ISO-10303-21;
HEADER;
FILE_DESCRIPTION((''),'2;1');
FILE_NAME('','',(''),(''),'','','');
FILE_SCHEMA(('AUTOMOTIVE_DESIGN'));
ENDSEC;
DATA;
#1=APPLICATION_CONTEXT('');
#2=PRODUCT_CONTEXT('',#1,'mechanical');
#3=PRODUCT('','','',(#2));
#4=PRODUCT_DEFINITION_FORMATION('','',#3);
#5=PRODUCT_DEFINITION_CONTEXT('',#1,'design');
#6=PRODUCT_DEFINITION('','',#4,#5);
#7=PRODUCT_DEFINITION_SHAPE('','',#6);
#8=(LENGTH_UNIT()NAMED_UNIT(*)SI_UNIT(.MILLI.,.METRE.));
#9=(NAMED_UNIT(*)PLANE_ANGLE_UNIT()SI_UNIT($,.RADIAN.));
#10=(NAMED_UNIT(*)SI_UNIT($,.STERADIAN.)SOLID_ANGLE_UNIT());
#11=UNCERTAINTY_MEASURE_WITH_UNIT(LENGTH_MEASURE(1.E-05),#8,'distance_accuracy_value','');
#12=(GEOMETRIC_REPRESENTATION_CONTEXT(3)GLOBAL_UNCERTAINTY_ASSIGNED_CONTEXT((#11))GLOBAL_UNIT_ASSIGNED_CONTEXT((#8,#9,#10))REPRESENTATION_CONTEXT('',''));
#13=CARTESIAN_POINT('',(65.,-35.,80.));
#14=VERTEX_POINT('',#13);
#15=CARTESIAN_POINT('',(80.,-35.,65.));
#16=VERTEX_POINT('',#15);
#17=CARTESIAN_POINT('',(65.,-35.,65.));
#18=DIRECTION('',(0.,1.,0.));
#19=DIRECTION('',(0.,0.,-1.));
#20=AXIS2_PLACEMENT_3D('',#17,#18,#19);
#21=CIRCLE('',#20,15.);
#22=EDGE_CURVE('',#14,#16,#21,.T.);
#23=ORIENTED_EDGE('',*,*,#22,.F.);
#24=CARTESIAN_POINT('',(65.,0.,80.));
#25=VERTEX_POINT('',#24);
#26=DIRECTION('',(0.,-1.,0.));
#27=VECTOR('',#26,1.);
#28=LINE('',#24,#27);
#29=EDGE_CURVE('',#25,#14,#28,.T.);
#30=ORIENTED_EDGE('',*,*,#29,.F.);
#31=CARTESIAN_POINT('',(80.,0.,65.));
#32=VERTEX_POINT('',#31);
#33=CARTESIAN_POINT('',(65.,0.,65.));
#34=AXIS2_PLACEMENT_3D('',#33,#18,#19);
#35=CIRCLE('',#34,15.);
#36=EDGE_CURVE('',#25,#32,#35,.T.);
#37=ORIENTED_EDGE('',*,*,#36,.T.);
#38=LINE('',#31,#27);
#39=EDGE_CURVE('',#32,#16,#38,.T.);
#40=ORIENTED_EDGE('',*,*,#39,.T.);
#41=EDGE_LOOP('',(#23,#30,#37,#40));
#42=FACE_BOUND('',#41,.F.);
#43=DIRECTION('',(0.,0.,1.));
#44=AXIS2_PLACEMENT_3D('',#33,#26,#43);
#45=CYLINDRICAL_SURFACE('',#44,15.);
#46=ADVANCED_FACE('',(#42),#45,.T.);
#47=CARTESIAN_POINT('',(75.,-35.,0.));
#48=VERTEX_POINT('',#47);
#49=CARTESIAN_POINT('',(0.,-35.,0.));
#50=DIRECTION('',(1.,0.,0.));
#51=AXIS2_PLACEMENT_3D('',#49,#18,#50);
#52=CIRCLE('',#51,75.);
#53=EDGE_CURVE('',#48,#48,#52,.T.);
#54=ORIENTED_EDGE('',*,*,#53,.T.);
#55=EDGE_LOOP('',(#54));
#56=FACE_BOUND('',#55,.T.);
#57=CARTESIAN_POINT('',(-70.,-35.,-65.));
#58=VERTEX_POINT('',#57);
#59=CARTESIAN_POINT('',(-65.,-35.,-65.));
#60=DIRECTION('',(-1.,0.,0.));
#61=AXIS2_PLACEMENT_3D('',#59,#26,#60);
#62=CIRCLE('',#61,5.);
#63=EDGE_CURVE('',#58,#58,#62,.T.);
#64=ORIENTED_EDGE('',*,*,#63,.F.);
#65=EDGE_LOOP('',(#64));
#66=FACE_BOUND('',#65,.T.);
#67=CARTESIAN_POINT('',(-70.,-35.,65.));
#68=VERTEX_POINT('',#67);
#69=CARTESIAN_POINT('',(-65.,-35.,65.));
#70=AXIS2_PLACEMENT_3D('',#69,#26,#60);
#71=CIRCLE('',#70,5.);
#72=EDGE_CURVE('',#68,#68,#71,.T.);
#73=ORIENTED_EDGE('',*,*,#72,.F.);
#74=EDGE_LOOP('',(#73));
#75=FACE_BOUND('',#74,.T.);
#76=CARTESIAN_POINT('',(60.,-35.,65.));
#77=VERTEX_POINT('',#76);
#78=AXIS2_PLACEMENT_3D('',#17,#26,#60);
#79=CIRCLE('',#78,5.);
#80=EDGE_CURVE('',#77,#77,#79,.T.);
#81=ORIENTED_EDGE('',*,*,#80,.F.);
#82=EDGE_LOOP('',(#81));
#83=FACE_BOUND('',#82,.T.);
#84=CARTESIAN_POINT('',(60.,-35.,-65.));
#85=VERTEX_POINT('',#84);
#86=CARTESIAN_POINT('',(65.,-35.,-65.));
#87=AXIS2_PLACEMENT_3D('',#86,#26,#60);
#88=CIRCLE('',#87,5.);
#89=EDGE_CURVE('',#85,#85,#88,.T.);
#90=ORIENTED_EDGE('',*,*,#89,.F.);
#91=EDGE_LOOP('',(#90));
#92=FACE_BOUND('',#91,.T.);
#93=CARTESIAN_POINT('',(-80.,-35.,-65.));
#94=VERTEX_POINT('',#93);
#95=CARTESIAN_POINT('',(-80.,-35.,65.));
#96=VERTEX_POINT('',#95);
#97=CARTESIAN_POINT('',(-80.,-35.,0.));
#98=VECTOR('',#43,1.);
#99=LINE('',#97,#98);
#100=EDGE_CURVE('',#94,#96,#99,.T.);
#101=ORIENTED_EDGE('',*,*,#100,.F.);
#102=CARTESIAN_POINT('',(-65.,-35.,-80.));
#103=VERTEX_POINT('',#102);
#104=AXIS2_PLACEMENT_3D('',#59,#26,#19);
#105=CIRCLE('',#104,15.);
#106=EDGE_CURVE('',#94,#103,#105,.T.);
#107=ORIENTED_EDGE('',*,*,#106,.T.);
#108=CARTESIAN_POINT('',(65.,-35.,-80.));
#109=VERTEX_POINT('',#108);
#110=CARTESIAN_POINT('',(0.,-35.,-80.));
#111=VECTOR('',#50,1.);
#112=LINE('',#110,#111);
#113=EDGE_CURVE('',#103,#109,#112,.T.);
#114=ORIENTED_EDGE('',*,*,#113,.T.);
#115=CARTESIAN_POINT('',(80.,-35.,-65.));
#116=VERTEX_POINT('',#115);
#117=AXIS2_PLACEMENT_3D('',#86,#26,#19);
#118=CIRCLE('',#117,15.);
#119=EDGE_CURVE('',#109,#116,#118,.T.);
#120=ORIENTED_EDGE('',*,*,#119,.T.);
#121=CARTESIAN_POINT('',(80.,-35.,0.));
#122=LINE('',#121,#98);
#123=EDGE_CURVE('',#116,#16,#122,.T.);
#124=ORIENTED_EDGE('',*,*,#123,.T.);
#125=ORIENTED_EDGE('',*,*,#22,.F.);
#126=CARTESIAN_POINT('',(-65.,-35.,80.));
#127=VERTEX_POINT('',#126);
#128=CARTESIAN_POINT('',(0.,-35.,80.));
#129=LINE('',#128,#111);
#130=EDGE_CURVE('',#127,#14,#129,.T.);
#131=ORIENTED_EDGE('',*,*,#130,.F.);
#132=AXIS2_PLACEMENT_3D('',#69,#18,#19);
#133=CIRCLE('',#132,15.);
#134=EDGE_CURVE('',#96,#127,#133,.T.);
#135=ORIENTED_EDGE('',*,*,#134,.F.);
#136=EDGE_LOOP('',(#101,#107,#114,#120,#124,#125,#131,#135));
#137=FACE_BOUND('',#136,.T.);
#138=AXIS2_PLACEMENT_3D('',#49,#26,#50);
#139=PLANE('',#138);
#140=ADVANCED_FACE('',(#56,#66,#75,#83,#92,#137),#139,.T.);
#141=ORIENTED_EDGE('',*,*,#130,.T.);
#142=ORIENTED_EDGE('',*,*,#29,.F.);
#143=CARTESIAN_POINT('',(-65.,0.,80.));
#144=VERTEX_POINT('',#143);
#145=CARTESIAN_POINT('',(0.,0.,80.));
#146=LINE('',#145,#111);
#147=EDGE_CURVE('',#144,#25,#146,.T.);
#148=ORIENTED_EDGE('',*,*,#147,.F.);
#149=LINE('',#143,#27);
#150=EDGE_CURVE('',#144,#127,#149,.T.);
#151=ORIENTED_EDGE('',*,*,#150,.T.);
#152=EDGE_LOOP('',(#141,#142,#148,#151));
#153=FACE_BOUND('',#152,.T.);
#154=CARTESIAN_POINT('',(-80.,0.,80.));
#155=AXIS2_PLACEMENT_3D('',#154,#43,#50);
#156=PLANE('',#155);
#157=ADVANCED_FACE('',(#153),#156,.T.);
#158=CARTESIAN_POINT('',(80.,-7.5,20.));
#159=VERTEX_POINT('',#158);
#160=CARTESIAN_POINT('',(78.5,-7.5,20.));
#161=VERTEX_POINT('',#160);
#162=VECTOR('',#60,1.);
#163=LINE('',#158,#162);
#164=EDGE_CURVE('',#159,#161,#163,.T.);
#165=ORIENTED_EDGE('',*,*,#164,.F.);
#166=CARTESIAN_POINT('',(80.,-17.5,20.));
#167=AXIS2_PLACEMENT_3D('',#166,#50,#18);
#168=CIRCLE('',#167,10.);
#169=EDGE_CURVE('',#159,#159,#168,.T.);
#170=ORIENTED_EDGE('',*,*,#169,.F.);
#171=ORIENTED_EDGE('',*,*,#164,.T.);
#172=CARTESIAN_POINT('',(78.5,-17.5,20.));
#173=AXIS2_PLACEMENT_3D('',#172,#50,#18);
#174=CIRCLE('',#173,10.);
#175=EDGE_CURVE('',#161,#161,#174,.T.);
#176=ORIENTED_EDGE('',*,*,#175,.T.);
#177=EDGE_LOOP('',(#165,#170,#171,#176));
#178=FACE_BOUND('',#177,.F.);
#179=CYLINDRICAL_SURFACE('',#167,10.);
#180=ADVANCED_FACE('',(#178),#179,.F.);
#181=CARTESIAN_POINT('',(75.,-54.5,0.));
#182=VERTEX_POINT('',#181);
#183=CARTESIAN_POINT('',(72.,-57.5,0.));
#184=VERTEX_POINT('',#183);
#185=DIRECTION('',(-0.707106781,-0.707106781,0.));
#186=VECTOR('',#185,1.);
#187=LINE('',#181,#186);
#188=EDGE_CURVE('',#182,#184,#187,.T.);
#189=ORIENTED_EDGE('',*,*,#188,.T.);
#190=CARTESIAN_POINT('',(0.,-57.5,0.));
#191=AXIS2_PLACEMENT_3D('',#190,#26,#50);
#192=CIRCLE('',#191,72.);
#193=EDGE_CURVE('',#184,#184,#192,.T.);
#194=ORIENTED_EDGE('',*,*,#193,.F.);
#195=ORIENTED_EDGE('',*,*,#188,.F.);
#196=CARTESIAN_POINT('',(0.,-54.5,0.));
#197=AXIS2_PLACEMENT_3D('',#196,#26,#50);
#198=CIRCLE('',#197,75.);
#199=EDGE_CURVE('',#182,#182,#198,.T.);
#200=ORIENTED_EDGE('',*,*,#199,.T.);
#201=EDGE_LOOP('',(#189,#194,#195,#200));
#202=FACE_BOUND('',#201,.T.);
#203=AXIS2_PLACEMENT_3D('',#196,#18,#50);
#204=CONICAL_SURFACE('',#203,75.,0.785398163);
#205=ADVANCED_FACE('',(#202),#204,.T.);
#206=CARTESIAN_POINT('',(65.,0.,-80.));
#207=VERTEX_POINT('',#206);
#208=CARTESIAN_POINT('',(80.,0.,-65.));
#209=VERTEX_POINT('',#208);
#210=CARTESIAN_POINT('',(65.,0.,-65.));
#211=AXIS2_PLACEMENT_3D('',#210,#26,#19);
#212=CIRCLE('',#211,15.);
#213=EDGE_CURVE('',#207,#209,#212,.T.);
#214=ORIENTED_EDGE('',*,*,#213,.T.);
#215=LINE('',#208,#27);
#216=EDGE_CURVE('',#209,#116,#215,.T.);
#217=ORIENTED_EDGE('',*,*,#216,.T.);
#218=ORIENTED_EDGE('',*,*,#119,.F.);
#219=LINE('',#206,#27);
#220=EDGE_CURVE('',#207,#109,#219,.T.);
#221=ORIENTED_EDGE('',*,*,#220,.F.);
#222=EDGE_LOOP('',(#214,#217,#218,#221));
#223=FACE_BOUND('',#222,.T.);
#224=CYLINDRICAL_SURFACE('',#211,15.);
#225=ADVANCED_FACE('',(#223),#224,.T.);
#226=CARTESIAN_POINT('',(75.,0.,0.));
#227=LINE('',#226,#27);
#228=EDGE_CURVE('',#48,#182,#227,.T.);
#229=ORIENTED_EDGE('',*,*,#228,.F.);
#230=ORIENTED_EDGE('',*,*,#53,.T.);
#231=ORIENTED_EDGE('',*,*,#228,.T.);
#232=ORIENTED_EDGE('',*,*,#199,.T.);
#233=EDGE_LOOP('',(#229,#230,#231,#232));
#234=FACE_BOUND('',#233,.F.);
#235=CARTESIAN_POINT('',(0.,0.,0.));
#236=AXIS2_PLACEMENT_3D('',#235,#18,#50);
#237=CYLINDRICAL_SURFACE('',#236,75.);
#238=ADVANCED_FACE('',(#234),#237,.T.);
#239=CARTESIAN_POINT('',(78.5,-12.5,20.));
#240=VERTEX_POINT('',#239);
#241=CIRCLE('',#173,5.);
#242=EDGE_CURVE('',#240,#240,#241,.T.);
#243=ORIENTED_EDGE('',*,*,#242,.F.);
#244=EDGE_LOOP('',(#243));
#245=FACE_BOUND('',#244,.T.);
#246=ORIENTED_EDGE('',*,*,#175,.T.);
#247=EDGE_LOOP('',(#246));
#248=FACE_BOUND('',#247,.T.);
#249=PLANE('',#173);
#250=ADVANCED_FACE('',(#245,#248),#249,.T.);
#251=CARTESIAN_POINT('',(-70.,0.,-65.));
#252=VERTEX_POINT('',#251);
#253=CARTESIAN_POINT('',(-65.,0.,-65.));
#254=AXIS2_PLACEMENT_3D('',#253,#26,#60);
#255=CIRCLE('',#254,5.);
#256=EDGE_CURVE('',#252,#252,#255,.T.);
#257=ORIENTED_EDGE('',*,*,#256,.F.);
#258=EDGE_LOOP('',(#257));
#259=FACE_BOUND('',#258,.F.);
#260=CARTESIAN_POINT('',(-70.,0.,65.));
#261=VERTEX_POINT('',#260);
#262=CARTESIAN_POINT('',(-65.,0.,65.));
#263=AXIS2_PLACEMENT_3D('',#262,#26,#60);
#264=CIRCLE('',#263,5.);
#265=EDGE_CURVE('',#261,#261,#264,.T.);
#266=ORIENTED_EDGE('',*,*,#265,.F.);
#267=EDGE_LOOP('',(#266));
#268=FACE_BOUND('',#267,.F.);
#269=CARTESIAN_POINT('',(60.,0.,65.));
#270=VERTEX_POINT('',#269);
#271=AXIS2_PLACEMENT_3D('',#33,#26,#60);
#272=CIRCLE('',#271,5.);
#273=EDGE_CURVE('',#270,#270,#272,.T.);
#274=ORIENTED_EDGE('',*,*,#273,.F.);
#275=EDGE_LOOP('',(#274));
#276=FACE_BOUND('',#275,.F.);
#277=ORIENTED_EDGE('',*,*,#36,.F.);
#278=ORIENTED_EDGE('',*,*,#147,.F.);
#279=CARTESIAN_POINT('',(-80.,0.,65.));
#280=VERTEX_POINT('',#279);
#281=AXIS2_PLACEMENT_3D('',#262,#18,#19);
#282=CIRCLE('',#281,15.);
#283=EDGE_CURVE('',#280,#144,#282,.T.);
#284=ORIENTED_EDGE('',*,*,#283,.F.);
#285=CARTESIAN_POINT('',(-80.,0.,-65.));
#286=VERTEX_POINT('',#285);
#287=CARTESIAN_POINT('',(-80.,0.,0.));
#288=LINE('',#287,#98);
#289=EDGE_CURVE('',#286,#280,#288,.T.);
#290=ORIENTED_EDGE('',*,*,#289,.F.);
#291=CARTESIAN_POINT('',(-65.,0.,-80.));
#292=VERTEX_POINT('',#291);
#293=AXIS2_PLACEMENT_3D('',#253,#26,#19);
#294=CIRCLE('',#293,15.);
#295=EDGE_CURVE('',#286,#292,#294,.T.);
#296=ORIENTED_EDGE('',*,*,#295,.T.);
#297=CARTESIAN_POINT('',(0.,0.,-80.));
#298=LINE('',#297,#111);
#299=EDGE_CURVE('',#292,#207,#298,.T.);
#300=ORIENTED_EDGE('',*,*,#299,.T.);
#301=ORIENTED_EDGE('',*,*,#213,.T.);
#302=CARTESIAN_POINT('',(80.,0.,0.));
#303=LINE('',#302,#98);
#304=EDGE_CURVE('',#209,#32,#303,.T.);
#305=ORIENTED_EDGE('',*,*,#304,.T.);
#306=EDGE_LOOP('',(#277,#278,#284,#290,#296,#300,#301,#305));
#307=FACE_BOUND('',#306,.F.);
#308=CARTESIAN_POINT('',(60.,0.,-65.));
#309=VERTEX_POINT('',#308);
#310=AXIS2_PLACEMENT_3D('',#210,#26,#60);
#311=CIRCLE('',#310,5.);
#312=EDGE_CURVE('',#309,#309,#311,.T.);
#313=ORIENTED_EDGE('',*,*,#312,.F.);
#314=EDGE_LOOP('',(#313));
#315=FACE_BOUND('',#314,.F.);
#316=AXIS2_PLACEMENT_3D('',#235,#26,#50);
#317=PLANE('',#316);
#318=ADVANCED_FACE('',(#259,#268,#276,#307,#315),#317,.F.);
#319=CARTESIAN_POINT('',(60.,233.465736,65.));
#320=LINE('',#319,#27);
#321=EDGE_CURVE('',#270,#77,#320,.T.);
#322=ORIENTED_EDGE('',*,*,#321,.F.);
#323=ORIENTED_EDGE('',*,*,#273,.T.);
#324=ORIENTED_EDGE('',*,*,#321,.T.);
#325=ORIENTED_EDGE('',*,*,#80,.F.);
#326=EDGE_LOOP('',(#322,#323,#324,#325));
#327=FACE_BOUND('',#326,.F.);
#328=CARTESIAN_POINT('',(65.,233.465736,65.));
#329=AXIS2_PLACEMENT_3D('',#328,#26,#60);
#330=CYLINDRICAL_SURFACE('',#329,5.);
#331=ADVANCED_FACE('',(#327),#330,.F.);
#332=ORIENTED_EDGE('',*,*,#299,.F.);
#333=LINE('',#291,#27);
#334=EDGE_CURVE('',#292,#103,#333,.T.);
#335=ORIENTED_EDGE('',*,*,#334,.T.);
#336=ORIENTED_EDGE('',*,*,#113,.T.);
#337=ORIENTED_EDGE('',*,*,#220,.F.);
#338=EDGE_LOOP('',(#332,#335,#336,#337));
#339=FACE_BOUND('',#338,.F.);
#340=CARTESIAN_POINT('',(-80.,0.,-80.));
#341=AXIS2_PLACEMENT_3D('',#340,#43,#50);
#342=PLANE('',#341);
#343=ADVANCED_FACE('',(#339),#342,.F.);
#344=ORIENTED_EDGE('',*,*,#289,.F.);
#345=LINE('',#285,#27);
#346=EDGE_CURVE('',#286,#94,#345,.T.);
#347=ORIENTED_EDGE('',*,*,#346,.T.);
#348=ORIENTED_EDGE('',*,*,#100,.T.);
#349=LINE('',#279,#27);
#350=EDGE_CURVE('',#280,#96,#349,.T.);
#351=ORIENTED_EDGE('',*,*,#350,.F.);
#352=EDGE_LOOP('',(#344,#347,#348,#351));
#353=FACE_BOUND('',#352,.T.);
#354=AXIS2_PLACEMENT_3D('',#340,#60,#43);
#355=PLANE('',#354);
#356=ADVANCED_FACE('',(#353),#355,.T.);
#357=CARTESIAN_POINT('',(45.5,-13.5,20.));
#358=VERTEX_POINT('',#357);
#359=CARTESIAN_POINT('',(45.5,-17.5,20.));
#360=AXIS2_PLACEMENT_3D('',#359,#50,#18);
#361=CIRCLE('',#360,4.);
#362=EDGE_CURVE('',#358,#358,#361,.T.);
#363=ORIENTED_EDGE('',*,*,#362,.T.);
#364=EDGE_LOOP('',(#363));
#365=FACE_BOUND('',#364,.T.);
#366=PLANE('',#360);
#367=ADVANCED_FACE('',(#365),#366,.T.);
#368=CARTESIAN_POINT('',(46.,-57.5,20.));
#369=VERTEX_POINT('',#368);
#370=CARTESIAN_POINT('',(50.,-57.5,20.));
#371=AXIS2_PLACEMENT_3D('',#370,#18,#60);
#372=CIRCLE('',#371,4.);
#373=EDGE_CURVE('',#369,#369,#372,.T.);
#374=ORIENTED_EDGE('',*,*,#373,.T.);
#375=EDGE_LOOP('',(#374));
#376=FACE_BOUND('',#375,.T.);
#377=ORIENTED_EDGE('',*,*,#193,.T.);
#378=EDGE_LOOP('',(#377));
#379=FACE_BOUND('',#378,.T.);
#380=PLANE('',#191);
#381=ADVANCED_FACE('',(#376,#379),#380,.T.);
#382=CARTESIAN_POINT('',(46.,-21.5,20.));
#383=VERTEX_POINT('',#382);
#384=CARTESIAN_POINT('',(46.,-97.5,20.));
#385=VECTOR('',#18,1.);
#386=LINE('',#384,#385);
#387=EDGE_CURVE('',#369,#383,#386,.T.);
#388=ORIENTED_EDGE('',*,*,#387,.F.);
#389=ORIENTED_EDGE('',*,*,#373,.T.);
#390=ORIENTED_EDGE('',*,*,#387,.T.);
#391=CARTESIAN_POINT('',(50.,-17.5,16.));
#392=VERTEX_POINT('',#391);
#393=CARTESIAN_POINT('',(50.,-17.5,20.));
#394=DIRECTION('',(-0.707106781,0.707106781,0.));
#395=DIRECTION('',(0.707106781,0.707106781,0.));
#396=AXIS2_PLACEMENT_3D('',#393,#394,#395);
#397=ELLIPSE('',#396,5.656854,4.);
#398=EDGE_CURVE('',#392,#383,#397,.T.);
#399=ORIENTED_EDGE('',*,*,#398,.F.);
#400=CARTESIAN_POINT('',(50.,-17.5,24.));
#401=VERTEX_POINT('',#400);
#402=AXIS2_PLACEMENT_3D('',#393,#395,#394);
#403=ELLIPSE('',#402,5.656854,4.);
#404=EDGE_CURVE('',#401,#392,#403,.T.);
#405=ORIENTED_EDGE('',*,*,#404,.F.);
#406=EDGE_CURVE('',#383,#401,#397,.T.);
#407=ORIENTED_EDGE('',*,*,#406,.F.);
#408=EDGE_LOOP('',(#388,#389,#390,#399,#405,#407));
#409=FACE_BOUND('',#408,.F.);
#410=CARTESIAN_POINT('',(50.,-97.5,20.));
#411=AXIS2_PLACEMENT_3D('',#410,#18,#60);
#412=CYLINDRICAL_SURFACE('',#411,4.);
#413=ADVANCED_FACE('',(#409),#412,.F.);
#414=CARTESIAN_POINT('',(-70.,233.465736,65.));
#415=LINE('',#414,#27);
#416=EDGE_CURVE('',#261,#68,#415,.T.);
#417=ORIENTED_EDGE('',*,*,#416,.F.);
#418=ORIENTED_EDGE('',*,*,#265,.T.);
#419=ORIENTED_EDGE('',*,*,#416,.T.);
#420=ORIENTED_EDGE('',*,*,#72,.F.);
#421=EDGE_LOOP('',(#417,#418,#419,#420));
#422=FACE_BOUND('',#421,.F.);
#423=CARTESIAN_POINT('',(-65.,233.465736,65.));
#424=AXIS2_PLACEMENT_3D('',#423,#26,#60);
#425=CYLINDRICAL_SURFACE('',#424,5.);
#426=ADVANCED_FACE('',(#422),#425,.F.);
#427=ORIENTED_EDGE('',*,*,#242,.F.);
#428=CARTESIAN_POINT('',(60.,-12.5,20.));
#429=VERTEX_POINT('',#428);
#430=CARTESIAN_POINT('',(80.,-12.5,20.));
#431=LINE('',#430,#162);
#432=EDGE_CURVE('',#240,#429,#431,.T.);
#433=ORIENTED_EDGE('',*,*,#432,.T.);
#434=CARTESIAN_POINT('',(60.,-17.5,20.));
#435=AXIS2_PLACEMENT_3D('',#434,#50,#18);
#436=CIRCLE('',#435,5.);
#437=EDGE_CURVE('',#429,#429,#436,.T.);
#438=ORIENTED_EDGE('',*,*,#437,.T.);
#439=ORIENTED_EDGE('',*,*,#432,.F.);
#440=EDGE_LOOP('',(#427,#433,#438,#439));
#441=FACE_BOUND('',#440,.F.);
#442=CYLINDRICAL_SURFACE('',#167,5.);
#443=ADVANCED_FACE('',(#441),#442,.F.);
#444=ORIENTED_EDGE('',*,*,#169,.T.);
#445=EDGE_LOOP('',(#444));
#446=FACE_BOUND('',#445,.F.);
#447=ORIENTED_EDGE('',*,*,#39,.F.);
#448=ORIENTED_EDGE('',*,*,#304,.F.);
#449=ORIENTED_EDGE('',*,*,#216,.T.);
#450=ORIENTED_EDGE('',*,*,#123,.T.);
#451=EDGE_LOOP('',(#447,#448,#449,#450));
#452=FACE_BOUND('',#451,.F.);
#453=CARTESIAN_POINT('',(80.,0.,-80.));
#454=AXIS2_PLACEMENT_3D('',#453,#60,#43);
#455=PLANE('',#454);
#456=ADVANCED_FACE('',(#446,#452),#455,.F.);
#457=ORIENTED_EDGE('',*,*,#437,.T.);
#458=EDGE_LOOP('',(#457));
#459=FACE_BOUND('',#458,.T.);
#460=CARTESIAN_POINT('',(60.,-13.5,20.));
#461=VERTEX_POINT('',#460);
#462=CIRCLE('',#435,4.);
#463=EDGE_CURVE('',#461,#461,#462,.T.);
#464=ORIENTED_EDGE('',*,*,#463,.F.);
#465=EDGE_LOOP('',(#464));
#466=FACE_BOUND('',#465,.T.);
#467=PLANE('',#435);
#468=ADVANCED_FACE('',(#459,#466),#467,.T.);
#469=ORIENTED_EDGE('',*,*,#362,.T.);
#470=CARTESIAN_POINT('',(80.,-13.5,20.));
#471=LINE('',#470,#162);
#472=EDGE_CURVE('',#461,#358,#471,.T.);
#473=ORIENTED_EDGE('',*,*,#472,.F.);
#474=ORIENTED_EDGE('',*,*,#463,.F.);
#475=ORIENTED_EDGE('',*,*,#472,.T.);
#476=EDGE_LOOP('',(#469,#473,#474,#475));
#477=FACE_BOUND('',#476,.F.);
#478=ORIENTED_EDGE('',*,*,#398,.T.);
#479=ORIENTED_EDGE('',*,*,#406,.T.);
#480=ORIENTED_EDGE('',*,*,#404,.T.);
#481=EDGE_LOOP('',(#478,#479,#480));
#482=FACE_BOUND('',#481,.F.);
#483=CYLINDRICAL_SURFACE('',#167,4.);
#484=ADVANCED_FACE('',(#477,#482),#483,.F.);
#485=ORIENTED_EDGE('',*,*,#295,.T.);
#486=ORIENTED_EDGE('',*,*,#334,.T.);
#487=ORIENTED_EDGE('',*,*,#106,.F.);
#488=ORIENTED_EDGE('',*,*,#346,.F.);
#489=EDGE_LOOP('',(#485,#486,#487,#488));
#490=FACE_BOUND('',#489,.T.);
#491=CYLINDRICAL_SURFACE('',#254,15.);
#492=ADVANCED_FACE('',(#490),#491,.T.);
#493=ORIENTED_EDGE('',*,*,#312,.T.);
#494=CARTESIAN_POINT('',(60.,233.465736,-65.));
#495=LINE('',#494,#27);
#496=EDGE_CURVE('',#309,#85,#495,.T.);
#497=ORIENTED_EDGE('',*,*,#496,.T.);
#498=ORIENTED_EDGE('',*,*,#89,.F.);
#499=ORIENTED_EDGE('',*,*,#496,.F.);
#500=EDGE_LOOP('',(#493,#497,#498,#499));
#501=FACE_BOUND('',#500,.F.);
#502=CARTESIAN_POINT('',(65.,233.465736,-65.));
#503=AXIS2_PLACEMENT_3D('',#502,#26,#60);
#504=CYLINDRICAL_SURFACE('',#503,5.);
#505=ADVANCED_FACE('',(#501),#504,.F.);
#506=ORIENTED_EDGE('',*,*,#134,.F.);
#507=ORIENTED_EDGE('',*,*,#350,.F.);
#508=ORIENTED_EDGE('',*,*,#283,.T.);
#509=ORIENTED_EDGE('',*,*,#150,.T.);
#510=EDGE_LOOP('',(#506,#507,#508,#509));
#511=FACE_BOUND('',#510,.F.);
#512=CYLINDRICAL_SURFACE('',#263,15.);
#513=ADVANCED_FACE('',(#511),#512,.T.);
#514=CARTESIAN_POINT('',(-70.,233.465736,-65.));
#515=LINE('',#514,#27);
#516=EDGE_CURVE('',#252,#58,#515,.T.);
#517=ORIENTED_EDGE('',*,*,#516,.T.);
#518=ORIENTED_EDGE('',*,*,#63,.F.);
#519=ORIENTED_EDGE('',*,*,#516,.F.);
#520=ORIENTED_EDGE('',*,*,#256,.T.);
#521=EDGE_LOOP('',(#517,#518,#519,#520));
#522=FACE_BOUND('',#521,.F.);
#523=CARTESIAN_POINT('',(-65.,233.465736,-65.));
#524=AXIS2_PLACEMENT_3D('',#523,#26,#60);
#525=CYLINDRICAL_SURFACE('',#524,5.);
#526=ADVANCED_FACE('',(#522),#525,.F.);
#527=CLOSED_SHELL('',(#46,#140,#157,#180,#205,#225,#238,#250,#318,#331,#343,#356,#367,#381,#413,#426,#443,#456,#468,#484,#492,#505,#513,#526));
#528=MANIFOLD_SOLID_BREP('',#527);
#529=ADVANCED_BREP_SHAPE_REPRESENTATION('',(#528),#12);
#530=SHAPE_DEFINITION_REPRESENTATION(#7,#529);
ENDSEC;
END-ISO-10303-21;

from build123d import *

# Parameters (mm, degrees)
F0_W      = 160
F0_H      = 160
F0_R      = 75
F1_DEPTH  = 35
F2_DEPTH  = 57.5
F3_SIZE2  = 3
F3_SIZE   = 3
F4_R      = 15
F5_D      = 10
F7_D      = 8
F7_DEPTH  = 40
F8_R      = 4
F9_DEPTH  = 34.5
F8_R_2    = 5
F10_DEPTH = 20
F8_R_3    = 10
F11_DEPTH = 1.5


with BuildPart() as f1:
    # F0 (on Front) → F1 (new body)
    with BuildSketch(Plane.XZ):
        Rectangle(F0_W, F0_H)
        Circle(F0_R, mode=Mode.SUBTRACT)
        Circle(F0_R)
    extrude(amount=F1_DEPTH)

    # F0 (on Front) → F2 (join)
    with BuildSketch(Plane.XZ):
        Circle(F0_R)
    extrude(amount=F2_DEPTH)

    # F3
    f3_edges = [f1.edges().sort_by_distance(p)[0] for p in [
        (-75, -57.5, 0),
    ]]
    chamfer(f3_edges, length=F3_SIZE, length2=F3_SIZE2)

    # F4
    f4_edges = [f1.edges().sort_by_distance(p)[0] for p in [
        (-80, -17.5, 80),
        (-80, -17.5, -80),
        (80, -17.5, -80),
        (80, -17.5, 80),
    ]]
    fillet(f4_edges, radius=F4_R)

    # F5 (through all)
    with Locations(Plane(origin=(0, 0, 0), x_dir=(1, 0, 0), z_dir=(0, 1, 0))):
        with Locations((-65, 65), (65, 65), (65, -65), (-65, -65)):
            Hole(F5_D / 2)

    # F7
    with Locations(Plane.XZ.offset(57.5)):
        with Locations((50, 20)):
            Hole(F7_D / 2, depth=F7_DEPTH)

    # F8 (on face) → F9 (cut)
    with BuildSketch(Plane.YZ.offset(80)):
        with Locations((-17.5, 20)):
            Circle(F8_R)
    extrude(amount=-F9_DEPTH, mode=Mode.SUBTRACT)

    # F8 (on face) → F10 (cut)
    with BuildSketch(Plane.YZ.offset(80)):
        with Locations((-17.5, 20)):
            Circle(F8_R_2)
        with Locations((-17.5, 20)):
            Circle(F8_R, mode=Mode.SUBTRACT)
    extrude(amount=-F10_DEPTH, mode=Mode.SUBTRACT)

    # F8 (on face) → F11 (cut)
    with BuildSketch(Plane.YZ.offset(80)):
        with Locations((-17.5, 20)):
            Circle(F8_R_3)
        with Locations((-17.5, 20)):
            Circle(F8_R_2, mode=Mode.SUBTRACT)
    extrude(amount=-F11_DEPTH, mode=Mode.SUBTRACT)


solid = f1.part
